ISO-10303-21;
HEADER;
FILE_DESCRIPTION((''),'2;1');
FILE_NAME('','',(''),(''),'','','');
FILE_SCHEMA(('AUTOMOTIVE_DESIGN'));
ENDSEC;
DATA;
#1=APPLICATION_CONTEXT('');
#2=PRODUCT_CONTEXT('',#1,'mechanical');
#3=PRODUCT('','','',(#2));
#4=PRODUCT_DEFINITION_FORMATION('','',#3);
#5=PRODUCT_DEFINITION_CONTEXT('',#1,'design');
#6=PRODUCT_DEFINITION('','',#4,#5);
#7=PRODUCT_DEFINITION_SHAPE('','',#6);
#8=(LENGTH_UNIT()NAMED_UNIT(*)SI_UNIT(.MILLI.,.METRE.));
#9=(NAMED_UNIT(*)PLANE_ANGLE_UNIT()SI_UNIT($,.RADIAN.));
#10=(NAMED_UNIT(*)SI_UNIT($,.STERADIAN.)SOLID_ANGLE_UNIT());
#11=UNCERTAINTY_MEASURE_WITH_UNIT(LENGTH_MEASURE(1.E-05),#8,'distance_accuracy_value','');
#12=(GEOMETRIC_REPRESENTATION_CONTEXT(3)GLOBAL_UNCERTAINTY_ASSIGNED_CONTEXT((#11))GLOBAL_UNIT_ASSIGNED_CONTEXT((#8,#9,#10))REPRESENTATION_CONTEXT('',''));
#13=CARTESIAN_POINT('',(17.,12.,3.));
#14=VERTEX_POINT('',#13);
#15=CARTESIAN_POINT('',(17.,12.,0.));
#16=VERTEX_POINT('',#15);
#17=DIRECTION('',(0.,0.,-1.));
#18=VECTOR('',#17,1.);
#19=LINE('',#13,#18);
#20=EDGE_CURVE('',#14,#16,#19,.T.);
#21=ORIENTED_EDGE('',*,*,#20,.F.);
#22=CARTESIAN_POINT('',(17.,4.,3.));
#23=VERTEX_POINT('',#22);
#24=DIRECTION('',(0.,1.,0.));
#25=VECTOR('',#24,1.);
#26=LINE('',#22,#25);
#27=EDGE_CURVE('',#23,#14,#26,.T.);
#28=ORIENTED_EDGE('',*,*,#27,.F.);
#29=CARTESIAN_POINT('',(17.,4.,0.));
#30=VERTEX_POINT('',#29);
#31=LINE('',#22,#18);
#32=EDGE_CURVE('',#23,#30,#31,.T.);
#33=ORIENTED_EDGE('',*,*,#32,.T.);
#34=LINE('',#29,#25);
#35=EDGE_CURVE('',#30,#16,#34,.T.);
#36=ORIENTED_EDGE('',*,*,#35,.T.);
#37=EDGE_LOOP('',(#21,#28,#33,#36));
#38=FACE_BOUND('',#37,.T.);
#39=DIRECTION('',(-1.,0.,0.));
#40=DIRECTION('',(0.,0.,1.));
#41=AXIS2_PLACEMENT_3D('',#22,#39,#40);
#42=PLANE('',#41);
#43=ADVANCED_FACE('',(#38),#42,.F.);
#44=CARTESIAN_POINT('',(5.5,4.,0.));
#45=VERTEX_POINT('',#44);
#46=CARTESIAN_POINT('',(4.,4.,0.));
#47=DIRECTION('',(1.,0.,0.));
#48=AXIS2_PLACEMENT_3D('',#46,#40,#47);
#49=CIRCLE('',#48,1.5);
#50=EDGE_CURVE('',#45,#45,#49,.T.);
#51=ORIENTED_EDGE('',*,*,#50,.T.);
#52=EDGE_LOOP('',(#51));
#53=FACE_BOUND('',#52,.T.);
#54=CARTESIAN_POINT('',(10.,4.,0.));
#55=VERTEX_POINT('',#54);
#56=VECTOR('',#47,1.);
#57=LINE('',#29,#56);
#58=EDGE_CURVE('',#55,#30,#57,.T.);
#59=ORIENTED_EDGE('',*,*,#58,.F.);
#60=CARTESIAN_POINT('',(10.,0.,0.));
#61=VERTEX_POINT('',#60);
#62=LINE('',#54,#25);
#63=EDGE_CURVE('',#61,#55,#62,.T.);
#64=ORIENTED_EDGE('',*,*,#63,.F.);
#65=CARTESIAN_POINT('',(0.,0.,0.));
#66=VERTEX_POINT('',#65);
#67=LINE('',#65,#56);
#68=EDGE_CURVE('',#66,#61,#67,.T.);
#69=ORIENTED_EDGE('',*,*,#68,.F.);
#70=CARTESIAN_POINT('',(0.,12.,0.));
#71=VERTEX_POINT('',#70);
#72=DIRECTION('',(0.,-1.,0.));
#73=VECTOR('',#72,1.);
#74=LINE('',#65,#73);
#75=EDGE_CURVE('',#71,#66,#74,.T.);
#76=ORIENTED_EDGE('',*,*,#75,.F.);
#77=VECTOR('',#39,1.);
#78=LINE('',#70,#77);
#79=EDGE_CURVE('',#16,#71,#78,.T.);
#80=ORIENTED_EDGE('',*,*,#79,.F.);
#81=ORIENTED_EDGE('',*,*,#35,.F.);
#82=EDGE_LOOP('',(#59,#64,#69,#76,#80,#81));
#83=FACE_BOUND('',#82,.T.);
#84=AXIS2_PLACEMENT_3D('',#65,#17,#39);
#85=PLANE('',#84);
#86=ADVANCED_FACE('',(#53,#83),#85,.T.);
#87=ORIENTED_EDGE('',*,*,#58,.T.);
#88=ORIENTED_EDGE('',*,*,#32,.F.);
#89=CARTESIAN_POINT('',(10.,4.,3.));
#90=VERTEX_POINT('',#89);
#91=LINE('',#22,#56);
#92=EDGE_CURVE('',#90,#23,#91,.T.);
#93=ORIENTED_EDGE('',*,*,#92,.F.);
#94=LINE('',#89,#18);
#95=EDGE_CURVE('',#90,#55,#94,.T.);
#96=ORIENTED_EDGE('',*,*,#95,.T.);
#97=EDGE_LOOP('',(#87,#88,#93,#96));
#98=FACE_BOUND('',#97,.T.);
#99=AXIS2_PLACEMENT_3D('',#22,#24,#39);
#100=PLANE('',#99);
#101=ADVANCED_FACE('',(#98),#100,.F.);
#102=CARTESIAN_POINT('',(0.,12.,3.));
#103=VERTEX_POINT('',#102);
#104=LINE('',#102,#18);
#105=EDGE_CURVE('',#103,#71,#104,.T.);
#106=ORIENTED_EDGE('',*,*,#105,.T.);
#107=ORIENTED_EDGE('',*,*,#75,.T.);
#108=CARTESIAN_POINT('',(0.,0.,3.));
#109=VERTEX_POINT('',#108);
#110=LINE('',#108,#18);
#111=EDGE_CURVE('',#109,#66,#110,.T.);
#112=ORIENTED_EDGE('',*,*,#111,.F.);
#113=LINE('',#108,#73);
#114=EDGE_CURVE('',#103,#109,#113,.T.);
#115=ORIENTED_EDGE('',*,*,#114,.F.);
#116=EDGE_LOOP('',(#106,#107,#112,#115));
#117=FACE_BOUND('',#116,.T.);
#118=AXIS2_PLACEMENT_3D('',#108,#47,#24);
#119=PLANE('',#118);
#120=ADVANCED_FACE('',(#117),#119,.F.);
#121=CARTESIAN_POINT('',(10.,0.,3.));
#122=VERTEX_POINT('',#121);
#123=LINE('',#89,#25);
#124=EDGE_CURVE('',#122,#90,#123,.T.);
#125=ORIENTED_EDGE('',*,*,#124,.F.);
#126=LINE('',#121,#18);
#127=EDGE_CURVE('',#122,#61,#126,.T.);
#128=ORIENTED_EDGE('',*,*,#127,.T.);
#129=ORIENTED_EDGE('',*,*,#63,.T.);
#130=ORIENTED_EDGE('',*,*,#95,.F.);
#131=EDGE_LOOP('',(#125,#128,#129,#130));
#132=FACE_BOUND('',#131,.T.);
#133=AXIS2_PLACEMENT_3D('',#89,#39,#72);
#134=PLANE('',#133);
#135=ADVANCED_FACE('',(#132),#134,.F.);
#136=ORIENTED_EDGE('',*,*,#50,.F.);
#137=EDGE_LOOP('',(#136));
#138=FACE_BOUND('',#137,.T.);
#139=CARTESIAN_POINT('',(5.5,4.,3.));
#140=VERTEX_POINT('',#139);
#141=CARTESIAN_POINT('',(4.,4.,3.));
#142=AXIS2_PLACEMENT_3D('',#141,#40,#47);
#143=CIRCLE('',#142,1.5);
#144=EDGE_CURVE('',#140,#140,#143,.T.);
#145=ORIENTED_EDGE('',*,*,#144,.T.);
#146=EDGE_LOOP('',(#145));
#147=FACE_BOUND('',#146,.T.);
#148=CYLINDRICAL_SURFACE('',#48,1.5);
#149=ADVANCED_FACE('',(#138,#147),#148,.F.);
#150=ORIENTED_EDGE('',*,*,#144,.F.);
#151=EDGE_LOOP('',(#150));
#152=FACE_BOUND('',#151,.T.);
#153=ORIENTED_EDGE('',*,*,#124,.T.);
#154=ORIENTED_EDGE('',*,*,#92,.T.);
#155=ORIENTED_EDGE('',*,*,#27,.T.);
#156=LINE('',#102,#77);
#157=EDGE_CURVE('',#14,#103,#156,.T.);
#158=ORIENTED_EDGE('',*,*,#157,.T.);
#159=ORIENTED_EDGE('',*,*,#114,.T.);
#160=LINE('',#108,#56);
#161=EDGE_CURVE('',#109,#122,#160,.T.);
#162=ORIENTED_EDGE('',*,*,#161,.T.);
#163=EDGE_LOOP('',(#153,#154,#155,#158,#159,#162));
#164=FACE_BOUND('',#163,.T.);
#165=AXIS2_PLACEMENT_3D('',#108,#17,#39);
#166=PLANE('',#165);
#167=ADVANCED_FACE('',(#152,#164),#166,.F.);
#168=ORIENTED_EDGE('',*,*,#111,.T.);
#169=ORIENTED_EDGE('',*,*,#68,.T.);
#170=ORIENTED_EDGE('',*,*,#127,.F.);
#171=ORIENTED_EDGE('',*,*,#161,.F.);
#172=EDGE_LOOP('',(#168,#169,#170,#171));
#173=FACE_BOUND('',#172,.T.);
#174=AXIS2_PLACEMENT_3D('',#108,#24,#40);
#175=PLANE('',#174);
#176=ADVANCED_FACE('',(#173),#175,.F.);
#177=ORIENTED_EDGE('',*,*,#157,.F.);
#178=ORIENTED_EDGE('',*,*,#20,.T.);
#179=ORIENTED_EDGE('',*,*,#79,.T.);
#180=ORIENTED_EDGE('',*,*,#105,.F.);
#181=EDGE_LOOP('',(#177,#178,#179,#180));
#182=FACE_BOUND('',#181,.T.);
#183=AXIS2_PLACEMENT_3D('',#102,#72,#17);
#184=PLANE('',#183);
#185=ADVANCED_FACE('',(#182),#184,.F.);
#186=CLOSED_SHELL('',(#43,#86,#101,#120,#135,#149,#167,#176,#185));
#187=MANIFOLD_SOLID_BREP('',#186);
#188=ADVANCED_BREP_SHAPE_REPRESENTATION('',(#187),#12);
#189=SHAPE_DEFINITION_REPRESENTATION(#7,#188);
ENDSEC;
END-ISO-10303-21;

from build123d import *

# Parameters (mm, degrees)
EXTRUDE_1_DEPTH     = 3
SKETCH_2_R          = 1.5
CUT_EXTRUDE_1_DEPTH = 22.023796042


with BuildPart() as part:
    # Эскиз1 → Бобышка-Вытянуть1 (new body)
    with BuildSketch(Plane.XY):
        Polygon((0, 0), (10, 0), (10, 4), (17, 4), (17, 12), (0, 12), align=None)
    extrude(amount=EXTRUDE_1_DEPTH)

    # Эскиз2 → Вырез-Вытянуть1 (cut, through all)
    with BuildSketch(Plane.XY.offset(3)):
        with Locations((4, 4)):
            Circle(SKETCH_2_R)
    extrude(amount=-CUT_EXTRUDE_1_DEPTH, mode=Mode.SUBTRACT)


solid = part.part
